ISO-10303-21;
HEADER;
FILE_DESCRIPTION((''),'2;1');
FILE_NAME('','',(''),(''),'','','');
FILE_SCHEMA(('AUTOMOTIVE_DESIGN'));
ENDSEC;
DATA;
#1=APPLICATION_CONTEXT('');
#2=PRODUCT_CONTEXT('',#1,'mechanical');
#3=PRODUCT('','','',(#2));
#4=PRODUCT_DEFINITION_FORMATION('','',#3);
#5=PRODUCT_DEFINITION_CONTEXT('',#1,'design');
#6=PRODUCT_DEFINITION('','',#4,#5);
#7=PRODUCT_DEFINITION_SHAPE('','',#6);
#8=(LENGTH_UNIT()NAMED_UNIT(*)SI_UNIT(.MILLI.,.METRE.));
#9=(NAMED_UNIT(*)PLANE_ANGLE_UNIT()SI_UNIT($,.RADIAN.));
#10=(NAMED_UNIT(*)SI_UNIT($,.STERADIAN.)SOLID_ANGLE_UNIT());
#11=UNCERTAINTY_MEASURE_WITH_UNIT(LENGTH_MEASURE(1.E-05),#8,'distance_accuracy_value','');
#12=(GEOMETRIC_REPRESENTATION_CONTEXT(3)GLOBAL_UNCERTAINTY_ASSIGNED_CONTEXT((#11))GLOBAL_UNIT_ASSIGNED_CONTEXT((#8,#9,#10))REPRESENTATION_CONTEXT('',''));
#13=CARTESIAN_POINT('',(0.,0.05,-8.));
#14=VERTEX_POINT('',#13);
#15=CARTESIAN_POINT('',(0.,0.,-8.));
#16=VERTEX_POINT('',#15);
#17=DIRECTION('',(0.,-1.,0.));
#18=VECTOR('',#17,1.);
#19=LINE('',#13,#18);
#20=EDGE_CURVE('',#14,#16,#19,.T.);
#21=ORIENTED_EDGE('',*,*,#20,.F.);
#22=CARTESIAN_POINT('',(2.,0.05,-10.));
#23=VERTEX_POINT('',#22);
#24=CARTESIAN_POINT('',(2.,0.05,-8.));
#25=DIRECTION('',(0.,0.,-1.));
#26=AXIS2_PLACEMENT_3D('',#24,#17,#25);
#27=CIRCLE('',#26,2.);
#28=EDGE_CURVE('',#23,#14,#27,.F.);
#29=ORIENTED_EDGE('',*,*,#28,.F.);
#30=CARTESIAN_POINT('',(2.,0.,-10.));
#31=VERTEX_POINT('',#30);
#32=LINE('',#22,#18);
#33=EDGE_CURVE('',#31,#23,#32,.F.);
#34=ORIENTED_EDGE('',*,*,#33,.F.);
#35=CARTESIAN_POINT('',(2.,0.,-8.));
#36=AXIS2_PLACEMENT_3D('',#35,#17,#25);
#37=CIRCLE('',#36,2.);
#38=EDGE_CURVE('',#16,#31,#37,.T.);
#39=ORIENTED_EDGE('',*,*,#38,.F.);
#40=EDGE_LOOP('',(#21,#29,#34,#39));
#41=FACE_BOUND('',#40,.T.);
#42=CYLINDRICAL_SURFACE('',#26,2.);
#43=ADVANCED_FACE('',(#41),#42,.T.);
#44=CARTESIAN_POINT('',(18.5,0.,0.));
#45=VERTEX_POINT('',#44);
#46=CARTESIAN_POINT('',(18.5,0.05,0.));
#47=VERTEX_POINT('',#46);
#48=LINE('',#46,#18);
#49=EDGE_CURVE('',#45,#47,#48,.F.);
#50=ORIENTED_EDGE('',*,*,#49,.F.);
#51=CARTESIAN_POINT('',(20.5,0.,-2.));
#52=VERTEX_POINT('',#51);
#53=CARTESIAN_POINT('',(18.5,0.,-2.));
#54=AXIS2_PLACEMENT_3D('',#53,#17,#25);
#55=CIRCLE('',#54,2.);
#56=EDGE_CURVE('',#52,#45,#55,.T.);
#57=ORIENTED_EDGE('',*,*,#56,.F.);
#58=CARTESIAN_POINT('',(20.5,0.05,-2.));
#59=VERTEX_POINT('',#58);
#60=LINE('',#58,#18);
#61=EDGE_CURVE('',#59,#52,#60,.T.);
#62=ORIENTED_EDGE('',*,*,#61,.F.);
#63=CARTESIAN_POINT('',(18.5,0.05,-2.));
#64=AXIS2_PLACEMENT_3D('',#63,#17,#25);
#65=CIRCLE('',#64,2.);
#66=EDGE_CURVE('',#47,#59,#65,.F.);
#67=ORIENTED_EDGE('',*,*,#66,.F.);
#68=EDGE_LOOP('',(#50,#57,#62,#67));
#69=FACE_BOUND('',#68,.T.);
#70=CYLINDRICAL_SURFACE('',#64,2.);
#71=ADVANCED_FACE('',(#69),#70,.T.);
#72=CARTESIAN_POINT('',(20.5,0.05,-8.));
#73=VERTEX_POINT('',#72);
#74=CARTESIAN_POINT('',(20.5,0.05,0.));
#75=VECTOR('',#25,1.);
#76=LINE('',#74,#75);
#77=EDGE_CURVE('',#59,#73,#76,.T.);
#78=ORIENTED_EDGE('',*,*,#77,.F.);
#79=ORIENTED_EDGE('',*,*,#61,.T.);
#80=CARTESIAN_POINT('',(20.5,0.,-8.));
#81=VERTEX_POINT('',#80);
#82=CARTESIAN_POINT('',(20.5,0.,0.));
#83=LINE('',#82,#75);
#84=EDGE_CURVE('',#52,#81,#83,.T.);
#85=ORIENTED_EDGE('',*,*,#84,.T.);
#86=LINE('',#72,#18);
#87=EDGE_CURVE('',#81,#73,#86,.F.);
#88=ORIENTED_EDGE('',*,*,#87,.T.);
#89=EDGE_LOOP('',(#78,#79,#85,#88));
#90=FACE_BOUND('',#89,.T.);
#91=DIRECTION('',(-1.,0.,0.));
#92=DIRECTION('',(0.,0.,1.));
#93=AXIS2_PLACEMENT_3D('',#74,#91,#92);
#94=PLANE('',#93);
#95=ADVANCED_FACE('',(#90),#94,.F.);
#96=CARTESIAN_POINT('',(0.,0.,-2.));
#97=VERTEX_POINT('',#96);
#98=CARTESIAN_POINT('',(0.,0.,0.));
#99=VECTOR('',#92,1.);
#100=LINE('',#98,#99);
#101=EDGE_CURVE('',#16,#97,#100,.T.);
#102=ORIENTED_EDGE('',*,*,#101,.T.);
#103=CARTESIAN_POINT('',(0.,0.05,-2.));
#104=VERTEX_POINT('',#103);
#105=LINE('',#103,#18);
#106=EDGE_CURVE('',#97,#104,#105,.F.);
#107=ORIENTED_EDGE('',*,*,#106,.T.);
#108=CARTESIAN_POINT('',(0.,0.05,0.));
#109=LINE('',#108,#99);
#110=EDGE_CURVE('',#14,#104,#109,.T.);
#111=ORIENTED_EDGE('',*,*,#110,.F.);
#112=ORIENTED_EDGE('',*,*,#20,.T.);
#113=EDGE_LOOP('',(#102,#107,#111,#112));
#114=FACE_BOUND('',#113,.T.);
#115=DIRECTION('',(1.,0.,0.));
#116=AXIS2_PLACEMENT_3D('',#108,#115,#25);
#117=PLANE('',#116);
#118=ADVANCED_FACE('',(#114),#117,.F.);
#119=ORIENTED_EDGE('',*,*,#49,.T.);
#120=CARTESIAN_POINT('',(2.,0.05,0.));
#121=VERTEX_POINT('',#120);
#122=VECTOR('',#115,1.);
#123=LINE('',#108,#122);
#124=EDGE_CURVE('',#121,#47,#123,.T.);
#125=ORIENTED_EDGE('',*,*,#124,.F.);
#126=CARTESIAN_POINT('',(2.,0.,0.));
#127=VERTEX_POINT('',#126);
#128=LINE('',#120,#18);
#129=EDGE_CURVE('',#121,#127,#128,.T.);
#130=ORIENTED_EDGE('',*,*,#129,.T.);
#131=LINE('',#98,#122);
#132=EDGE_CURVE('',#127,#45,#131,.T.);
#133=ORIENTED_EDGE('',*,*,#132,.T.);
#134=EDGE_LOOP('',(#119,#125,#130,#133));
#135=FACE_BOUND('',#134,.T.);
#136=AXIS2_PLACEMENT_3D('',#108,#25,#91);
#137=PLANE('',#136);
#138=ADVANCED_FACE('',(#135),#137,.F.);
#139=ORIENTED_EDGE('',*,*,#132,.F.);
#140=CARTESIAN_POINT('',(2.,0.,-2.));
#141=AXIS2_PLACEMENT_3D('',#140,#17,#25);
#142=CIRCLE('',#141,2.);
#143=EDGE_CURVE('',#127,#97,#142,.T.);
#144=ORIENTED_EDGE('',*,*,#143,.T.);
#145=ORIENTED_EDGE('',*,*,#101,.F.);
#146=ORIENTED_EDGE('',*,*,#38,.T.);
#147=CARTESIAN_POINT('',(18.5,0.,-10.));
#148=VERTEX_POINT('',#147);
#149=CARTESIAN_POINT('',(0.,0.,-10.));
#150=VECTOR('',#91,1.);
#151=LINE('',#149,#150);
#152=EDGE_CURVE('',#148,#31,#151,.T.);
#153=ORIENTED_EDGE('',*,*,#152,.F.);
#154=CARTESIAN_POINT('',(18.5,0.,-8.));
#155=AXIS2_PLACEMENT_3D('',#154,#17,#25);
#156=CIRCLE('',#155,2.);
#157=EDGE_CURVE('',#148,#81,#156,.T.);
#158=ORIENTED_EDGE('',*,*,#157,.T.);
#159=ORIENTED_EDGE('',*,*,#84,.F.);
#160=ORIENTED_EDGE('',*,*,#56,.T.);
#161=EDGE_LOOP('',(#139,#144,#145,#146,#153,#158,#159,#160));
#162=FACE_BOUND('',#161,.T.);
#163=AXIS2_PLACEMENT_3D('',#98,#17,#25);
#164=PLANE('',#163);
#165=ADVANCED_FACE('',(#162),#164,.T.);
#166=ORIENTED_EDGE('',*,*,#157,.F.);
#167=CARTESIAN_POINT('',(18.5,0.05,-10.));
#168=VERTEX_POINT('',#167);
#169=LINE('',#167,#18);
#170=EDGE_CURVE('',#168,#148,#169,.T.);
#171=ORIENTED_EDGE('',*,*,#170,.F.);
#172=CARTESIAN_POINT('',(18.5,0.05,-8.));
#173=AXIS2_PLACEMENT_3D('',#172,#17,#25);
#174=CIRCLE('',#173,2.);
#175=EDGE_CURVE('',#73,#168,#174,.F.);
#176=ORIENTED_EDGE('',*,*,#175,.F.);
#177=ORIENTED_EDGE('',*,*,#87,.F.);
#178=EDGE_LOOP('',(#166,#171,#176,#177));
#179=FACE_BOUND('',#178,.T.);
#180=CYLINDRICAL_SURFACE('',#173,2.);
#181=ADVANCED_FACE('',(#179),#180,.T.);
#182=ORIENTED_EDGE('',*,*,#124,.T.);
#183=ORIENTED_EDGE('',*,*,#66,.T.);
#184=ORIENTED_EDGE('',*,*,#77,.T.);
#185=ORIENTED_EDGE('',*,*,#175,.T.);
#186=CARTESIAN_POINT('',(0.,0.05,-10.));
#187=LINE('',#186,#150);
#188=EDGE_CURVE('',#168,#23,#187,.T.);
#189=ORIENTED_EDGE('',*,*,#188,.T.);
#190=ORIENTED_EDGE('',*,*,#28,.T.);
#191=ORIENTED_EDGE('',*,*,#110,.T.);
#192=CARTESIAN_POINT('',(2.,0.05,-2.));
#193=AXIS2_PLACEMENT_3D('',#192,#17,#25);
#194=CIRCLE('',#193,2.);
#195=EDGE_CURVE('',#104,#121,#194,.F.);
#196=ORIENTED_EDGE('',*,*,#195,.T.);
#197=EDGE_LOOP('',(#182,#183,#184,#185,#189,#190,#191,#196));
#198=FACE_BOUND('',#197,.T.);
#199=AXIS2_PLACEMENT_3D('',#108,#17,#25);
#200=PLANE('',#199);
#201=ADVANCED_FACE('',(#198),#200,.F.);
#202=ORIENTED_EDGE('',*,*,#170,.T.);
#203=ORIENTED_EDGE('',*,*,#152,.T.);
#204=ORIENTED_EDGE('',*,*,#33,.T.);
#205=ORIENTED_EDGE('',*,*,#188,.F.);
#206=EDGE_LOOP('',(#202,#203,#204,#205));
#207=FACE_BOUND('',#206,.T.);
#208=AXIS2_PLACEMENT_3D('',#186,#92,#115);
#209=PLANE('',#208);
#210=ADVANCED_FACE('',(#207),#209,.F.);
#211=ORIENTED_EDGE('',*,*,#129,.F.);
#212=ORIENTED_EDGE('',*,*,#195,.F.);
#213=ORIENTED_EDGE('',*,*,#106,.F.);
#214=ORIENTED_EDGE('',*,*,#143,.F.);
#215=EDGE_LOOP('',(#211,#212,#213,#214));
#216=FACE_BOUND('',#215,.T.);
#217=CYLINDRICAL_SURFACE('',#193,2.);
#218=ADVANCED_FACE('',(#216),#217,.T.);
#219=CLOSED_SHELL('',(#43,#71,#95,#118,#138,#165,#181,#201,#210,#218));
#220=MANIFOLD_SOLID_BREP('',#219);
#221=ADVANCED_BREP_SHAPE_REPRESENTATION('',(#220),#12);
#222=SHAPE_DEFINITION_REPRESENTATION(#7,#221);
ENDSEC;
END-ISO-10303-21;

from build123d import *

# Parameters (mm, degrees)
ESQUISSE1_W        = 20.5
ESQUISSE1_H        = 10
BOSS_EXTRU_1_DEPTH = 0.05
CONG_1_R           = 2


with BuildPart() as part:
    # Esquisse1 → Boss.-Extru.1 (new body)
    with BuildSketch(Plane(origin=(0, 0, 0), x_dir=(1, 0, 0), z_dir=(0, 1, 0))):
        with Locations((10.25, 5)):
            Rectangle(ESQUISSE1_W, ESQUISSE1_H)
    extrude(amount=BOSS_EXTRU_1_DEPTH)

    # Congé1
    cong_1_edges = [part.edges().sort_by_distance(p)[0] for p in [
        (0, 0.025, -10),
        (20.5, 0.025, -10),
        (20.5, 0.025, 0),
        (0, 0.025, 0),
    ]]
    fillet(cong_1_edges, radius=CONG_1_R)


solid = part.part
